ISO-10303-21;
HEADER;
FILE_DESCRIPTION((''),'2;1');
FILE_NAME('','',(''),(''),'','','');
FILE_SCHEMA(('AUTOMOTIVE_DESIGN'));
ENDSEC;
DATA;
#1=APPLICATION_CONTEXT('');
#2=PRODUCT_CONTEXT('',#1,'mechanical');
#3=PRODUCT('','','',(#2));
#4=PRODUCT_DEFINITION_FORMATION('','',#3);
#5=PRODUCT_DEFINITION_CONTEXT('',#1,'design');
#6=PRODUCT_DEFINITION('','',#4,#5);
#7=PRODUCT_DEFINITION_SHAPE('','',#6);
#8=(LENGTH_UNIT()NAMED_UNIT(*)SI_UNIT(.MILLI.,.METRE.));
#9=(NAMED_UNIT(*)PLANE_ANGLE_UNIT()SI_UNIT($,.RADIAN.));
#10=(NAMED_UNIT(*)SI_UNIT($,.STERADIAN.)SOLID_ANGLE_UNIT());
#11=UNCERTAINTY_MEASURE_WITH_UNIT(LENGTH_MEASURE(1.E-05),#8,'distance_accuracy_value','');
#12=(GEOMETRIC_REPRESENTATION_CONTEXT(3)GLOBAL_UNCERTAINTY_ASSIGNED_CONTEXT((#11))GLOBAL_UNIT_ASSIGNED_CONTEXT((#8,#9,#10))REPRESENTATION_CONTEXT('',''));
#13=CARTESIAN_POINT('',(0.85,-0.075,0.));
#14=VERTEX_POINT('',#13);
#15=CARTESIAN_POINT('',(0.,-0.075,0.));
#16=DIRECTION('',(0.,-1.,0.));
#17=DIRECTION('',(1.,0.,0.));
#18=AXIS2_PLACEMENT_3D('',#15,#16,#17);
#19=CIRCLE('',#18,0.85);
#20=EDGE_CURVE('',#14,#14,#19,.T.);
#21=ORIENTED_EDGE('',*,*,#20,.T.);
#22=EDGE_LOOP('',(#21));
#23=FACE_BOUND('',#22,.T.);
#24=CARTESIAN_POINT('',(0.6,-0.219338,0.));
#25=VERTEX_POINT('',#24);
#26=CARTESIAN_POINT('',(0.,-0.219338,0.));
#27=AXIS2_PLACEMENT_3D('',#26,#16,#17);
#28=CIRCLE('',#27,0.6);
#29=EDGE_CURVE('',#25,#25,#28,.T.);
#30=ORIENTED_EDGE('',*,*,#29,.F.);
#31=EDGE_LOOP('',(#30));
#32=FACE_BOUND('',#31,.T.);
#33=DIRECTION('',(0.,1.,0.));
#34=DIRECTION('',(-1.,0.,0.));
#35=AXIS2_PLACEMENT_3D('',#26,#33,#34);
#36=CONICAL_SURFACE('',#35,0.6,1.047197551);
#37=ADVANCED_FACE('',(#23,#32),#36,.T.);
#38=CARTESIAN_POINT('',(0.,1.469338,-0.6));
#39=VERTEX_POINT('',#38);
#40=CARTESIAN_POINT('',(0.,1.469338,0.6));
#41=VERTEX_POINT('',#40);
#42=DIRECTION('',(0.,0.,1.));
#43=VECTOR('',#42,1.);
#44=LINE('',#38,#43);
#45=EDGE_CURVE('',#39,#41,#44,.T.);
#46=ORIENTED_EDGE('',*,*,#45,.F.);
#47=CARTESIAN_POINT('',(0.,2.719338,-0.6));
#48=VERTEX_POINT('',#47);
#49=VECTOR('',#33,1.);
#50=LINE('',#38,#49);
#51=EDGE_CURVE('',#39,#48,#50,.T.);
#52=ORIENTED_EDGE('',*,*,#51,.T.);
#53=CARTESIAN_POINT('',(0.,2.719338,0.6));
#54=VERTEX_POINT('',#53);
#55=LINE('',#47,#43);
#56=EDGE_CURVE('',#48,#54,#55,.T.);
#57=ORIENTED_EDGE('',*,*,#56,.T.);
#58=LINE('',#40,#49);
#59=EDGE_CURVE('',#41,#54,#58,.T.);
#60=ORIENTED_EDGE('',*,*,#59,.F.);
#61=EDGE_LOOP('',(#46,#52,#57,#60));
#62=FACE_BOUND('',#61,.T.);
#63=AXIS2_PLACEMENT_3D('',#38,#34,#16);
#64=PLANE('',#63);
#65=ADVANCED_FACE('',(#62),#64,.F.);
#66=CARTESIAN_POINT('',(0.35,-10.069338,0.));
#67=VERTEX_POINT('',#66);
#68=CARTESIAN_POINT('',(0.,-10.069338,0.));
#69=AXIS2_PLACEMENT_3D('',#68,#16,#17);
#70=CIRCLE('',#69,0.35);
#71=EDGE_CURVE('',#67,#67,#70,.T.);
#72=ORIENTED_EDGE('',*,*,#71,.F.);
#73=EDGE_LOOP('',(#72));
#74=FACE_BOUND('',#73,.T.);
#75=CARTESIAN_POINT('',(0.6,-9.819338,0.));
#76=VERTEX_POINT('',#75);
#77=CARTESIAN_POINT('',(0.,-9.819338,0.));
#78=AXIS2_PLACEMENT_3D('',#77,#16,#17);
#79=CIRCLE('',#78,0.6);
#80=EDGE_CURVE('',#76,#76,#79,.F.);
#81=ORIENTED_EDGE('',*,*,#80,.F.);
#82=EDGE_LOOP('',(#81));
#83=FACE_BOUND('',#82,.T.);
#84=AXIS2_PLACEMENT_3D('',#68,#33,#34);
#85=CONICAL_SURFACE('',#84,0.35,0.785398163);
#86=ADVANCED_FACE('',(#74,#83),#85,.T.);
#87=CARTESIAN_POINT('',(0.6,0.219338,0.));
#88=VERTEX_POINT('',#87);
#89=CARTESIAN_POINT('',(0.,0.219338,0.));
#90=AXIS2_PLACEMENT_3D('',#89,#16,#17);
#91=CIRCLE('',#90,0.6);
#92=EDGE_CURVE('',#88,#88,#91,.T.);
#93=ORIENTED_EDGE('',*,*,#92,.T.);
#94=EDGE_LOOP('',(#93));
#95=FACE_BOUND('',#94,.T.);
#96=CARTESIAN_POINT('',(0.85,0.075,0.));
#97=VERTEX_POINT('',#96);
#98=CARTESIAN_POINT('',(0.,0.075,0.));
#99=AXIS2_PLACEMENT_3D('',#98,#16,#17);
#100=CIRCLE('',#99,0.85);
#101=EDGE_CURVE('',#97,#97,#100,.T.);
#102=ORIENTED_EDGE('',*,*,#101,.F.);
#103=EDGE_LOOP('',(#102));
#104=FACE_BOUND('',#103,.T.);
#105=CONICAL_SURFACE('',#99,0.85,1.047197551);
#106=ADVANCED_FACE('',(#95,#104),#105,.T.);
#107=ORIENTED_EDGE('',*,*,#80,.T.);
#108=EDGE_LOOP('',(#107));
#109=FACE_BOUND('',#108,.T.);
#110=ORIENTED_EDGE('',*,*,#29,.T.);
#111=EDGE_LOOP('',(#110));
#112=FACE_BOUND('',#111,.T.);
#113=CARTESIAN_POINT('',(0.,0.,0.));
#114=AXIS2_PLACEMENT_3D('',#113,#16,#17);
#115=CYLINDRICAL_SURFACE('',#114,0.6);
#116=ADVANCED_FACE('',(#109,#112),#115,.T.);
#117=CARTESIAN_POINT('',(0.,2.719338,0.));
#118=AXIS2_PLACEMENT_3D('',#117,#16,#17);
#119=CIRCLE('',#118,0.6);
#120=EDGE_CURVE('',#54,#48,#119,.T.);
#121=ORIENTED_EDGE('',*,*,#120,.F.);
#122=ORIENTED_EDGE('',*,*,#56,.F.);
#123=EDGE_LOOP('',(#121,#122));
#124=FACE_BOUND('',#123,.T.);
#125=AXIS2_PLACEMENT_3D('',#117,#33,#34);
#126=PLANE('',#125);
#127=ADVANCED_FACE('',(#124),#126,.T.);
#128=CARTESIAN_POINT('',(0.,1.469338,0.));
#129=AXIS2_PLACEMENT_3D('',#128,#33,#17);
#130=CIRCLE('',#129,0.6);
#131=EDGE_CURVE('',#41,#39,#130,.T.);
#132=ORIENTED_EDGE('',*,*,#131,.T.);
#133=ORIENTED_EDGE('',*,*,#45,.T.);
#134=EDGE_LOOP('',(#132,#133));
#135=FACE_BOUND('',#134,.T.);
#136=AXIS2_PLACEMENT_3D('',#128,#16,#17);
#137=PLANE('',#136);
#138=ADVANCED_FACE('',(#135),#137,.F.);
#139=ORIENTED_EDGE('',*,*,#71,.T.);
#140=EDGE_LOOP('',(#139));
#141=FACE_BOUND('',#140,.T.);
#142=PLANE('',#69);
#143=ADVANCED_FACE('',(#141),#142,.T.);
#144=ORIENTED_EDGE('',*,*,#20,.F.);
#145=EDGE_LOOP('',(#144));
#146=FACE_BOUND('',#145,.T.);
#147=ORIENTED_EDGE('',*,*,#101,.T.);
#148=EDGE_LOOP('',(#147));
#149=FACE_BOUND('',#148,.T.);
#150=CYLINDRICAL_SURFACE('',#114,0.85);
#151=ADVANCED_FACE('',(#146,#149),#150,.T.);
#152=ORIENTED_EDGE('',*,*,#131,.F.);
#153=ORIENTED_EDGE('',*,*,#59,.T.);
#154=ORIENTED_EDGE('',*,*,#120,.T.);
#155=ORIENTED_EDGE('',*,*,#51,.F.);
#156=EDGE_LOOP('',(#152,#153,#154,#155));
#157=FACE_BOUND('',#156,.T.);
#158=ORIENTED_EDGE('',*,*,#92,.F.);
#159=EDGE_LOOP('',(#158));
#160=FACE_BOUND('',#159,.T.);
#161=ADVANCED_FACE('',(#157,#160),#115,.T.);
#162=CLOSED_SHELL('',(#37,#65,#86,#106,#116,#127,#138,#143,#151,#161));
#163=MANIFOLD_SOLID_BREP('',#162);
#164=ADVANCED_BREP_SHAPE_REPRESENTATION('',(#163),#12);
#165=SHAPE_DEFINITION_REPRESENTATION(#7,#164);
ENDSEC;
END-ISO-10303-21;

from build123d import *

# Parameters (mm, degrees)
CUT_EXTRUDE1_START = -1.25
CUT_EXTRUDE1_DEPTH = 1.25
CHAMFER1_SIZE      = 0.25


with BuildPart() as part:
    # Sketch1 → Revolve1 (revolve)
    with BuildSketch(Plane.XY):
        Polygon((0, 0), (0, 2.719337567), (0.6, 2.719337567), (0.6, 0.219337567), (0.85, 0.075), (0.85, -0.075), (0.6, -0.219337567), (0.6, -10.069337567), (0, -10.069337567), align=None)
    revolve(axis=Axis((0, 0, 0), (0, 1, 0)))

    # Sketch2 → Cut-Extrude1 (cut)
    with BuildSketch(Plane(origin=(0, 2.719337567, 0), x_dir=(1, 0, 0), z_dir=(0, 1, 0)).offset(CUT_EXTRUDE1_START)):
        with BuildLine():
            Line((0, 0.6), (0, -0.6))
            ThreePointArc((0, -0.6), (0.6, 0), (0, 0.6))
        make_face()
    extrude(amount=CUT_EXTRUDE1_DEPTH, mode=Mode.SUBTRACT)

    # Chamfer1
    chamfer1_edges = [part.edges().sort_by_distance(p)[0] for p in [
        (-0.6, -10.069337567, 0),
    ]]
    chamfer(chamfer1_edges, length=CHAMFER1_SIZE)


solid = part.part
